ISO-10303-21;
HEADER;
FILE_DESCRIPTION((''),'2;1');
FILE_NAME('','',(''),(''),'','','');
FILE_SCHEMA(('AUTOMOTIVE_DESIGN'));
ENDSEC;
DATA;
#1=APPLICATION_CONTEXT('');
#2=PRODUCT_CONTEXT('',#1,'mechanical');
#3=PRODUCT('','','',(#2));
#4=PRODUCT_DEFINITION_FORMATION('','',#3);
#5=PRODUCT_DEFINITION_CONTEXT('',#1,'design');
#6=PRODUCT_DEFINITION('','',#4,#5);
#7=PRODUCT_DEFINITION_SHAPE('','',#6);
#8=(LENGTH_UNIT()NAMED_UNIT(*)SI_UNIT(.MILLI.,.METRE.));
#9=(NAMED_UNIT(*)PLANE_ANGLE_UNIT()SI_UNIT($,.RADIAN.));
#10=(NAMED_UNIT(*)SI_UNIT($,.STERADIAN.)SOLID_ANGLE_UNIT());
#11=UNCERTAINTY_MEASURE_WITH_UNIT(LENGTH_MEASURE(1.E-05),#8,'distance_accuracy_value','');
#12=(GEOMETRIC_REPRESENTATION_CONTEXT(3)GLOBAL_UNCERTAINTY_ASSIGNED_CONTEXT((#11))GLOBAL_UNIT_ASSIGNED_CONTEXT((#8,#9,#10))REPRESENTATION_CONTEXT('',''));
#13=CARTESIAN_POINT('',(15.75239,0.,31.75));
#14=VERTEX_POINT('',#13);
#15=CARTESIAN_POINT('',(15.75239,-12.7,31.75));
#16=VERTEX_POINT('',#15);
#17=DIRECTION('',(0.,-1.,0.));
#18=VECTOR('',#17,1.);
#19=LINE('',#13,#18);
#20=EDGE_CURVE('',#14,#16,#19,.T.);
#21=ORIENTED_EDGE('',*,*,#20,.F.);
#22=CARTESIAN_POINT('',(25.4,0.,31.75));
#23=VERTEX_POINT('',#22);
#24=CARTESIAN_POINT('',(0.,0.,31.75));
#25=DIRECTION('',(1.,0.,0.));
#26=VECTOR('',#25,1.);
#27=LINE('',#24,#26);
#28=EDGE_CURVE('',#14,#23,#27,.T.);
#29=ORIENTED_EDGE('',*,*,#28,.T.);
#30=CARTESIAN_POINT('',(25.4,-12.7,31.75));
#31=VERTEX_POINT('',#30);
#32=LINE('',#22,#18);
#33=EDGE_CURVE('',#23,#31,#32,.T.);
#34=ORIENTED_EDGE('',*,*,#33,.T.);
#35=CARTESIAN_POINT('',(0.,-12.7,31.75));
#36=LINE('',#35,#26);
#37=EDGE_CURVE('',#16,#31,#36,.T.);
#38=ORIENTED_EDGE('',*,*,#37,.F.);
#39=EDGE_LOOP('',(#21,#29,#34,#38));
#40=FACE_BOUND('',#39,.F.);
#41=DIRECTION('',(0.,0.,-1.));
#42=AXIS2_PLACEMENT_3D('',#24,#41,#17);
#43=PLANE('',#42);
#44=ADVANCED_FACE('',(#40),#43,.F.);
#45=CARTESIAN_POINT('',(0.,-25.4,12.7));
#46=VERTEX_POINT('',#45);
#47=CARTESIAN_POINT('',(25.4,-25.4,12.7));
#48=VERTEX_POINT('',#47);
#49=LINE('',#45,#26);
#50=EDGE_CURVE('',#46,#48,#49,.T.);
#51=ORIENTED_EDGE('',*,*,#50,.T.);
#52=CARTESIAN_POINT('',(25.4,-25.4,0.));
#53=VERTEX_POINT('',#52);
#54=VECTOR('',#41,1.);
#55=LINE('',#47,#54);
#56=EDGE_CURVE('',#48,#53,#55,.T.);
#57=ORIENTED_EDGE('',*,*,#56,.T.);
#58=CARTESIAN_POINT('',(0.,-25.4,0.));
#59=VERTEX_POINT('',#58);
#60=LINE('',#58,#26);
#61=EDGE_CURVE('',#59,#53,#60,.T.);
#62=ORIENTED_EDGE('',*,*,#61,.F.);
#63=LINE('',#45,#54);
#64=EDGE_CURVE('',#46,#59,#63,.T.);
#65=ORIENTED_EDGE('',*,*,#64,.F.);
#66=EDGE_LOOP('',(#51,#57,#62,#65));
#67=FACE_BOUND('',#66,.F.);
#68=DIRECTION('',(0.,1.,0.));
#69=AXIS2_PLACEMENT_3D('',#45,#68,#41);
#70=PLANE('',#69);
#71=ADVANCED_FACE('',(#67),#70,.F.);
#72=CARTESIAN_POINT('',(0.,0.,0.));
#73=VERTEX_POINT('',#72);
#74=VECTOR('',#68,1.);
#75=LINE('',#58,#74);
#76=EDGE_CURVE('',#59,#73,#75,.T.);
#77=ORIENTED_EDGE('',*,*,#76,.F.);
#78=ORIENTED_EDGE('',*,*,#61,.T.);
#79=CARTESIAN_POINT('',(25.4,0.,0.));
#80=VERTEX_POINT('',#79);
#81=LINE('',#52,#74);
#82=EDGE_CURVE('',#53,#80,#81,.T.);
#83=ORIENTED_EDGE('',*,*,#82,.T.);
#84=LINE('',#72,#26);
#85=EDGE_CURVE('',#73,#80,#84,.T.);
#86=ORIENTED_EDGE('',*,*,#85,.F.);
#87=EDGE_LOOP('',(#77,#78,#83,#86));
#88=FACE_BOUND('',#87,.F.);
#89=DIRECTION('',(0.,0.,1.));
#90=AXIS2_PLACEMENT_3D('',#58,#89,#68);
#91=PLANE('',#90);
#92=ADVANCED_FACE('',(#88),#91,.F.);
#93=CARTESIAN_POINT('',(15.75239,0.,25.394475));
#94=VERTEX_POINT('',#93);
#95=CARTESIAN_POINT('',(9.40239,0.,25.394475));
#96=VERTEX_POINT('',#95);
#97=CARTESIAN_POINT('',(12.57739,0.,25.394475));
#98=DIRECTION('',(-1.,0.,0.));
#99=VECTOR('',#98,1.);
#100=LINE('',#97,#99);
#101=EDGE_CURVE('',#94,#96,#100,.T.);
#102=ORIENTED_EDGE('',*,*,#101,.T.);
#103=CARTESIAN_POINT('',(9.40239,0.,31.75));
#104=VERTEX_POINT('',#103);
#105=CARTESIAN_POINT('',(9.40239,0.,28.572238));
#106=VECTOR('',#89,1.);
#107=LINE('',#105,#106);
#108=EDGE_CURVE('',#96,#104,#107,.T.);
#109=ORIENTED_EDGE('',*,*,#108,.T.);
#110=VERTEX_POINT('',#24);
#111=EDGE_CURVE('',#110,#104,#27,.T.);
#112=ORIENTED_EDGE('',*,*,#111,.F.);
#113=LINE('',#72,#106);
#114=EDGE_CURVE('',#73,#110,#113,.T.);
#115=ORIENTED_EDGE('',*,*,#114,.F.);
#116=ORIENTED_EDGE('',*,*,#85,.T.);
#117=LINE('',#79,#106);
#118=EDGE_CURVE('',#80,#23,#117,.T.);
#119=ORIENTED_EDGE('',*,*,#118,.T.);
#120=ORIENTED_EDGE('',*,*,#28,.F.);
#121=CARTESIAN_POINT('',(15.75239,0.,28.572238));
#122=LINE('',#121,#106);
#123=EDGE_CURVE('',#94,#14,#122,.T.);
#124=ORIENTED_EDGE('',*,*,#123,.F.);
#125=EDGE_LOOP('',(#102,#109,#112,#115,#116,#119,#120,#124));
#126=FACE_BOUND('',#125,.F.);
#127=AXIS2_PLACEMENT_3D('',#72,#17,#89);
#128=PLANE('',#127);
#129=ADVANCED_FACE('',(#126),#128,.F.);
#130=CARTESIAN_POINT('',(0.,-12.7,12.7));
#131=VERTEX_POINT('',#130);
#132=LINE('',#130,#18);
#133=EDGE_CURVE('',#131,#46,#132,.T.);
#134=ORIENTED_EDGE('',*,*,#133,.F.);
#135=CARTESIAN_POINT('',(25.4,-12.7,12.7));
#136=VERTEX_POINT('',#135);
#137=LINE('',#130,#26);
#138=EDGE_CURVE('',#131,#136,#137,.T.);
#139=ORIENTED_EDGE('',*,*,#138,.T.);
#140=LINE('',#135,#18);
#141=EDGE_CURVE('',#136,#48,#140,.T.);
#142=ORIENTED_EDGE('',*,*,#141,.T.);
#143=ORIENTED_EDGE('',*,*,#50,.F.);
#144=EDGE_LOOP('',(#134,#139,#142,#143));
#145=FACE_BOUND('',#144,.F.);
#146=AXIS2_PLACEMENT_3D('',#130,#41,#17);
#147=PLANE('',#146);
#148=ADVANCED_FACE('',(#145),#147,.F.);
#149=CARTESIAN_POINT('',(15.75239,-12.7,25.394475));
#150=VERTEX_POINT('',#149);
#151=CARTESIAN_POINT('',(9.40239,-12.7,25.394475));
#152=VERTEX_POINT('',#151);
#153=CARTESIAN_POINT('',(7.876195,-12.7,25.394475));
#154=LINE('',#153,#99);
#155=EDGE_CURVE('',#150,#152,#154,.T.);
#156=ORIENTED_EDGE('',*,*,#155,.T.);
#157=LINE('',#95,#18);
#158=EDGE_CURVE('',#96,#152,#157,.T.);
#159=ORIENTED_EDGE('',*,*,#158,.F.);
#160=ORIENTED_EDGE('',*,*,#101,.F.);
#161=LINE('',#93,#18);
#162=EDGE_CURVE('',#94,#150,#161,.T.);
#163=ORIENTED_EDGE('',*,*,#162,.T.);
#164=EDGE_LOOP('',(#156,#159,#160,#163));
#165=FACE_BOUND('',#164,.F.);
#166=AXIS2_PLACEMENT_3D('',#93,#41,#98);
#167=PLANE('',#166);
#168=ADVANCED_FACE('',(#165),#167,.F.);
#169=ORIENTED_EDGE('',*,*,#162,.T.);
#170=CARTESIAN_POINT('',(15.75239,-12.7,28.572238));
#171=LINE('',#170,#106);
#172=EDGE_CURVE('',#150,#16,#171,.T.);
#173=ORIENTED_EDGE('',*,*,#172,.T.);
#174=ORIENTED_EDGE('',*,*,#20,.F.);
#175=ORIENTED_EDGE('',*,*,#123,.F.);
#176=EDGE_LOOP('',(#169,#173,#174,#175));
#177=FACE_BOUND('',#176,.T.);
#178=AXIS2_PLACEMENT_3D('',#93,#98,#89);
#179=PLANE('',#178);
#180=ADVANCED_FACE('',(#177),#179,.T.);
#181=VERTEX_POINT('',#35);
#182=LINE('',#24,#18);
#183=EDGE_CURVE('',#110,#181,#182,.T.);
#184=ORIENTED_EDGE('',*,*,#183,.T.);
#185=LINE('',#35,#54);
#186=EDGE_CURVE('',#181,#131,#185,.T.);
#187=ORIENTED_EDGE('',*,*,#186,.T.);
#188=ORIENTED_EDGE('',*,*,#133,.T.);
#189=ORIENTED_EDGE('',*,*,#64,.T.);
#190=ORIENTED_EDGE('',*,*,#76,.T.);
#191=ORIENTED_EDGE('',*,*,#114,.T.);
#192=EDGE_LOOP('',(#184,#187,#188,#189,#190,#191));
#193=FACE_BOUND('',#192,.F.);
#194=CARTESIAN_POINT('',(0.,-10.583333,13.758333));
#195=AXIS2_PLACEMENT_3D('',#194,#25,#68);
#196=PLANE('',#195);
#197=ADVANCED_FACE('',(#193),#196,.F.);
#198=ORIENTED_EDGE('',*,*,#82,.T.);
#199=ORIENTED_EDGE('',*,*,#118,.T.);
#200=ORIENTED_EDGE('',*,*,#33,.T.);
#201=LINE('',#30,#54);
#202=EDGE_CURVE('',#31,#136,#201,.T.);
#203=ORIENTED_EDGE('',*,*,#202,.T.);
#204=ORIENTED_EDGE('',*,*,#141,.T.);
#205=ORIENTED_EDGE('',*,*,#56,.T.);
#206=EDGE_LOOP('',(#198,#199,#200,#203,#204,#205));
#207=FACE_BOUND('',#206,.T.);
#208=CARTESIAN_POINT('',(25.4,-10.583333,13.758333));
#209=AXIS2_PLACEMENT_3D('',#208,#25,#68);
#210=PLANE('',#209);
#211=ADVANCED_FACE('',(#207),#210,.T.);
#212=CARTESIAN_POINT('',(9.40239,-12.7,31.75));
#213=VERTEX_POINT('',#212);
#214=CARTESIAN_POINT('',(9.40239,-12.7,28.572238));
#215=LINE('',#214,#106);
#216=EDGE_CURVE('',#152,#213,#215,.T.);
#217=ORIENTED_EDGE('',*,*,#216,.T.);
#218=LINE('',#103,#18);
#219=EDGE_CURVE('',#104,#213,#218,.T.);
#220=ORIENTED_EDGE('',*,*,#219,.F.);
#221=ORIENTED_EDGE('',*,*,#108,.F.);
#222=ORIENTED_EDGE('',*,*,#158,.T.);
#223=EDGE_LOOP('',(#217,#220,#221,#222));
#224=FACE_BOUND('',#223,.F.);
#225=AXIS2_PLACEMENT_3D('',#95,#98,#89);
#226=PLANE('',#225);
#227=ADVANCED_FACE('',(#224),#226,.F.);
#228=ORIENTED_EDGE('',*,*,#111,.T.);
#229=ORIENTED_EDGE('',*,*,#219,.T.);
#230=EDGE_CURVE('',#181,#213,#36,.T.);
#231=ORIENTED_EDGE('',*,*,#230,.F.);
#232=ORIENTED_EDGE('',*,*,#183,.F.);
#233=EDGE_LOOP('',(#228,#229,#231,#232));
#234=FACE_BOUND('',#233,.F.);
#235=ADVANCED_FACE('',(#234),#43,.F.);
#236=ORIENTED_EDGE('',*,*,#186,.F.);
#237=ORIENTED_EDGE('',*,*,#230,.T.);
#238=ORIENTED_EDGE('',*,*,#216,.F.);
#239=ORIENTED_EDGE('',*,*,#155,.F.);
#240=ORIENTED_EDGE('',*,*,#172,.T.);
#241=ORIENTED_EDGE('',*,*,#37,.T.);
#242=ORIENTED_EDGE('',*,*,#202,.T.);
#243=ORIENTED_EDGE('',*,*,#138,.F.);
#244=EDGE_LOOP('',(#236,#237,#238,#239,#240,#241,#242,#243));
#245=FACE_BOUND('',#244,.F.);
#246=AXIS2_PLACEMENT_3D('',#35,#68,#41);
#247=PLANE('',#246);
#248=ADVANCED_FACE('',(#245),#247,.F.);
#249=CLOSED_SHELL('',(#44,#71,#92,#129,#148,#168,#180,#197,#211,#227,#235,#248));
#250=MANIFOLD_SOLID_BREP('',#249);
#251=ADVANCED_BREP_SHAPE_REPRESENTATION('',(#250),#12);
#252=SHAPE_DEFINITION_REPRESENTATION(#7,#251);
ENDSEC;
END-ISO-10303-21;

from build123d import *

# Parameters (mm, degrees)
F1_DEPTH = 25.4
F2_W     = 6.35
F2_H     = 6.3555249125
F3_DEPTH = 25.401


with BuildPart() as f1:
    # F0 (on Right) → F1 (new body)
    with BuildSketch(Plane.YZ):
        Polygon((-25.4, 0), (0, 0), (0, 31.75), (-12.7, 31.75), (-12.7, 12.7), (-25.4, 12.7), align=None)
    extrude(amount=F1_DEPTH)

    # F2 (on face) → F3 (cut, through all)
    with BuildSketch(Plane(origin=(0, 0, 0), x_dir=(-1, 0, 0), z_dir=(0, 1, 0))):
        with Locations((-12.577390027, 28.5722375438)):
            Rectangle(F2_W, F2_H)
    extrude(amount=-F3_DEPTH, mode=Mode.SUBTRACT)


solid = f1.part
